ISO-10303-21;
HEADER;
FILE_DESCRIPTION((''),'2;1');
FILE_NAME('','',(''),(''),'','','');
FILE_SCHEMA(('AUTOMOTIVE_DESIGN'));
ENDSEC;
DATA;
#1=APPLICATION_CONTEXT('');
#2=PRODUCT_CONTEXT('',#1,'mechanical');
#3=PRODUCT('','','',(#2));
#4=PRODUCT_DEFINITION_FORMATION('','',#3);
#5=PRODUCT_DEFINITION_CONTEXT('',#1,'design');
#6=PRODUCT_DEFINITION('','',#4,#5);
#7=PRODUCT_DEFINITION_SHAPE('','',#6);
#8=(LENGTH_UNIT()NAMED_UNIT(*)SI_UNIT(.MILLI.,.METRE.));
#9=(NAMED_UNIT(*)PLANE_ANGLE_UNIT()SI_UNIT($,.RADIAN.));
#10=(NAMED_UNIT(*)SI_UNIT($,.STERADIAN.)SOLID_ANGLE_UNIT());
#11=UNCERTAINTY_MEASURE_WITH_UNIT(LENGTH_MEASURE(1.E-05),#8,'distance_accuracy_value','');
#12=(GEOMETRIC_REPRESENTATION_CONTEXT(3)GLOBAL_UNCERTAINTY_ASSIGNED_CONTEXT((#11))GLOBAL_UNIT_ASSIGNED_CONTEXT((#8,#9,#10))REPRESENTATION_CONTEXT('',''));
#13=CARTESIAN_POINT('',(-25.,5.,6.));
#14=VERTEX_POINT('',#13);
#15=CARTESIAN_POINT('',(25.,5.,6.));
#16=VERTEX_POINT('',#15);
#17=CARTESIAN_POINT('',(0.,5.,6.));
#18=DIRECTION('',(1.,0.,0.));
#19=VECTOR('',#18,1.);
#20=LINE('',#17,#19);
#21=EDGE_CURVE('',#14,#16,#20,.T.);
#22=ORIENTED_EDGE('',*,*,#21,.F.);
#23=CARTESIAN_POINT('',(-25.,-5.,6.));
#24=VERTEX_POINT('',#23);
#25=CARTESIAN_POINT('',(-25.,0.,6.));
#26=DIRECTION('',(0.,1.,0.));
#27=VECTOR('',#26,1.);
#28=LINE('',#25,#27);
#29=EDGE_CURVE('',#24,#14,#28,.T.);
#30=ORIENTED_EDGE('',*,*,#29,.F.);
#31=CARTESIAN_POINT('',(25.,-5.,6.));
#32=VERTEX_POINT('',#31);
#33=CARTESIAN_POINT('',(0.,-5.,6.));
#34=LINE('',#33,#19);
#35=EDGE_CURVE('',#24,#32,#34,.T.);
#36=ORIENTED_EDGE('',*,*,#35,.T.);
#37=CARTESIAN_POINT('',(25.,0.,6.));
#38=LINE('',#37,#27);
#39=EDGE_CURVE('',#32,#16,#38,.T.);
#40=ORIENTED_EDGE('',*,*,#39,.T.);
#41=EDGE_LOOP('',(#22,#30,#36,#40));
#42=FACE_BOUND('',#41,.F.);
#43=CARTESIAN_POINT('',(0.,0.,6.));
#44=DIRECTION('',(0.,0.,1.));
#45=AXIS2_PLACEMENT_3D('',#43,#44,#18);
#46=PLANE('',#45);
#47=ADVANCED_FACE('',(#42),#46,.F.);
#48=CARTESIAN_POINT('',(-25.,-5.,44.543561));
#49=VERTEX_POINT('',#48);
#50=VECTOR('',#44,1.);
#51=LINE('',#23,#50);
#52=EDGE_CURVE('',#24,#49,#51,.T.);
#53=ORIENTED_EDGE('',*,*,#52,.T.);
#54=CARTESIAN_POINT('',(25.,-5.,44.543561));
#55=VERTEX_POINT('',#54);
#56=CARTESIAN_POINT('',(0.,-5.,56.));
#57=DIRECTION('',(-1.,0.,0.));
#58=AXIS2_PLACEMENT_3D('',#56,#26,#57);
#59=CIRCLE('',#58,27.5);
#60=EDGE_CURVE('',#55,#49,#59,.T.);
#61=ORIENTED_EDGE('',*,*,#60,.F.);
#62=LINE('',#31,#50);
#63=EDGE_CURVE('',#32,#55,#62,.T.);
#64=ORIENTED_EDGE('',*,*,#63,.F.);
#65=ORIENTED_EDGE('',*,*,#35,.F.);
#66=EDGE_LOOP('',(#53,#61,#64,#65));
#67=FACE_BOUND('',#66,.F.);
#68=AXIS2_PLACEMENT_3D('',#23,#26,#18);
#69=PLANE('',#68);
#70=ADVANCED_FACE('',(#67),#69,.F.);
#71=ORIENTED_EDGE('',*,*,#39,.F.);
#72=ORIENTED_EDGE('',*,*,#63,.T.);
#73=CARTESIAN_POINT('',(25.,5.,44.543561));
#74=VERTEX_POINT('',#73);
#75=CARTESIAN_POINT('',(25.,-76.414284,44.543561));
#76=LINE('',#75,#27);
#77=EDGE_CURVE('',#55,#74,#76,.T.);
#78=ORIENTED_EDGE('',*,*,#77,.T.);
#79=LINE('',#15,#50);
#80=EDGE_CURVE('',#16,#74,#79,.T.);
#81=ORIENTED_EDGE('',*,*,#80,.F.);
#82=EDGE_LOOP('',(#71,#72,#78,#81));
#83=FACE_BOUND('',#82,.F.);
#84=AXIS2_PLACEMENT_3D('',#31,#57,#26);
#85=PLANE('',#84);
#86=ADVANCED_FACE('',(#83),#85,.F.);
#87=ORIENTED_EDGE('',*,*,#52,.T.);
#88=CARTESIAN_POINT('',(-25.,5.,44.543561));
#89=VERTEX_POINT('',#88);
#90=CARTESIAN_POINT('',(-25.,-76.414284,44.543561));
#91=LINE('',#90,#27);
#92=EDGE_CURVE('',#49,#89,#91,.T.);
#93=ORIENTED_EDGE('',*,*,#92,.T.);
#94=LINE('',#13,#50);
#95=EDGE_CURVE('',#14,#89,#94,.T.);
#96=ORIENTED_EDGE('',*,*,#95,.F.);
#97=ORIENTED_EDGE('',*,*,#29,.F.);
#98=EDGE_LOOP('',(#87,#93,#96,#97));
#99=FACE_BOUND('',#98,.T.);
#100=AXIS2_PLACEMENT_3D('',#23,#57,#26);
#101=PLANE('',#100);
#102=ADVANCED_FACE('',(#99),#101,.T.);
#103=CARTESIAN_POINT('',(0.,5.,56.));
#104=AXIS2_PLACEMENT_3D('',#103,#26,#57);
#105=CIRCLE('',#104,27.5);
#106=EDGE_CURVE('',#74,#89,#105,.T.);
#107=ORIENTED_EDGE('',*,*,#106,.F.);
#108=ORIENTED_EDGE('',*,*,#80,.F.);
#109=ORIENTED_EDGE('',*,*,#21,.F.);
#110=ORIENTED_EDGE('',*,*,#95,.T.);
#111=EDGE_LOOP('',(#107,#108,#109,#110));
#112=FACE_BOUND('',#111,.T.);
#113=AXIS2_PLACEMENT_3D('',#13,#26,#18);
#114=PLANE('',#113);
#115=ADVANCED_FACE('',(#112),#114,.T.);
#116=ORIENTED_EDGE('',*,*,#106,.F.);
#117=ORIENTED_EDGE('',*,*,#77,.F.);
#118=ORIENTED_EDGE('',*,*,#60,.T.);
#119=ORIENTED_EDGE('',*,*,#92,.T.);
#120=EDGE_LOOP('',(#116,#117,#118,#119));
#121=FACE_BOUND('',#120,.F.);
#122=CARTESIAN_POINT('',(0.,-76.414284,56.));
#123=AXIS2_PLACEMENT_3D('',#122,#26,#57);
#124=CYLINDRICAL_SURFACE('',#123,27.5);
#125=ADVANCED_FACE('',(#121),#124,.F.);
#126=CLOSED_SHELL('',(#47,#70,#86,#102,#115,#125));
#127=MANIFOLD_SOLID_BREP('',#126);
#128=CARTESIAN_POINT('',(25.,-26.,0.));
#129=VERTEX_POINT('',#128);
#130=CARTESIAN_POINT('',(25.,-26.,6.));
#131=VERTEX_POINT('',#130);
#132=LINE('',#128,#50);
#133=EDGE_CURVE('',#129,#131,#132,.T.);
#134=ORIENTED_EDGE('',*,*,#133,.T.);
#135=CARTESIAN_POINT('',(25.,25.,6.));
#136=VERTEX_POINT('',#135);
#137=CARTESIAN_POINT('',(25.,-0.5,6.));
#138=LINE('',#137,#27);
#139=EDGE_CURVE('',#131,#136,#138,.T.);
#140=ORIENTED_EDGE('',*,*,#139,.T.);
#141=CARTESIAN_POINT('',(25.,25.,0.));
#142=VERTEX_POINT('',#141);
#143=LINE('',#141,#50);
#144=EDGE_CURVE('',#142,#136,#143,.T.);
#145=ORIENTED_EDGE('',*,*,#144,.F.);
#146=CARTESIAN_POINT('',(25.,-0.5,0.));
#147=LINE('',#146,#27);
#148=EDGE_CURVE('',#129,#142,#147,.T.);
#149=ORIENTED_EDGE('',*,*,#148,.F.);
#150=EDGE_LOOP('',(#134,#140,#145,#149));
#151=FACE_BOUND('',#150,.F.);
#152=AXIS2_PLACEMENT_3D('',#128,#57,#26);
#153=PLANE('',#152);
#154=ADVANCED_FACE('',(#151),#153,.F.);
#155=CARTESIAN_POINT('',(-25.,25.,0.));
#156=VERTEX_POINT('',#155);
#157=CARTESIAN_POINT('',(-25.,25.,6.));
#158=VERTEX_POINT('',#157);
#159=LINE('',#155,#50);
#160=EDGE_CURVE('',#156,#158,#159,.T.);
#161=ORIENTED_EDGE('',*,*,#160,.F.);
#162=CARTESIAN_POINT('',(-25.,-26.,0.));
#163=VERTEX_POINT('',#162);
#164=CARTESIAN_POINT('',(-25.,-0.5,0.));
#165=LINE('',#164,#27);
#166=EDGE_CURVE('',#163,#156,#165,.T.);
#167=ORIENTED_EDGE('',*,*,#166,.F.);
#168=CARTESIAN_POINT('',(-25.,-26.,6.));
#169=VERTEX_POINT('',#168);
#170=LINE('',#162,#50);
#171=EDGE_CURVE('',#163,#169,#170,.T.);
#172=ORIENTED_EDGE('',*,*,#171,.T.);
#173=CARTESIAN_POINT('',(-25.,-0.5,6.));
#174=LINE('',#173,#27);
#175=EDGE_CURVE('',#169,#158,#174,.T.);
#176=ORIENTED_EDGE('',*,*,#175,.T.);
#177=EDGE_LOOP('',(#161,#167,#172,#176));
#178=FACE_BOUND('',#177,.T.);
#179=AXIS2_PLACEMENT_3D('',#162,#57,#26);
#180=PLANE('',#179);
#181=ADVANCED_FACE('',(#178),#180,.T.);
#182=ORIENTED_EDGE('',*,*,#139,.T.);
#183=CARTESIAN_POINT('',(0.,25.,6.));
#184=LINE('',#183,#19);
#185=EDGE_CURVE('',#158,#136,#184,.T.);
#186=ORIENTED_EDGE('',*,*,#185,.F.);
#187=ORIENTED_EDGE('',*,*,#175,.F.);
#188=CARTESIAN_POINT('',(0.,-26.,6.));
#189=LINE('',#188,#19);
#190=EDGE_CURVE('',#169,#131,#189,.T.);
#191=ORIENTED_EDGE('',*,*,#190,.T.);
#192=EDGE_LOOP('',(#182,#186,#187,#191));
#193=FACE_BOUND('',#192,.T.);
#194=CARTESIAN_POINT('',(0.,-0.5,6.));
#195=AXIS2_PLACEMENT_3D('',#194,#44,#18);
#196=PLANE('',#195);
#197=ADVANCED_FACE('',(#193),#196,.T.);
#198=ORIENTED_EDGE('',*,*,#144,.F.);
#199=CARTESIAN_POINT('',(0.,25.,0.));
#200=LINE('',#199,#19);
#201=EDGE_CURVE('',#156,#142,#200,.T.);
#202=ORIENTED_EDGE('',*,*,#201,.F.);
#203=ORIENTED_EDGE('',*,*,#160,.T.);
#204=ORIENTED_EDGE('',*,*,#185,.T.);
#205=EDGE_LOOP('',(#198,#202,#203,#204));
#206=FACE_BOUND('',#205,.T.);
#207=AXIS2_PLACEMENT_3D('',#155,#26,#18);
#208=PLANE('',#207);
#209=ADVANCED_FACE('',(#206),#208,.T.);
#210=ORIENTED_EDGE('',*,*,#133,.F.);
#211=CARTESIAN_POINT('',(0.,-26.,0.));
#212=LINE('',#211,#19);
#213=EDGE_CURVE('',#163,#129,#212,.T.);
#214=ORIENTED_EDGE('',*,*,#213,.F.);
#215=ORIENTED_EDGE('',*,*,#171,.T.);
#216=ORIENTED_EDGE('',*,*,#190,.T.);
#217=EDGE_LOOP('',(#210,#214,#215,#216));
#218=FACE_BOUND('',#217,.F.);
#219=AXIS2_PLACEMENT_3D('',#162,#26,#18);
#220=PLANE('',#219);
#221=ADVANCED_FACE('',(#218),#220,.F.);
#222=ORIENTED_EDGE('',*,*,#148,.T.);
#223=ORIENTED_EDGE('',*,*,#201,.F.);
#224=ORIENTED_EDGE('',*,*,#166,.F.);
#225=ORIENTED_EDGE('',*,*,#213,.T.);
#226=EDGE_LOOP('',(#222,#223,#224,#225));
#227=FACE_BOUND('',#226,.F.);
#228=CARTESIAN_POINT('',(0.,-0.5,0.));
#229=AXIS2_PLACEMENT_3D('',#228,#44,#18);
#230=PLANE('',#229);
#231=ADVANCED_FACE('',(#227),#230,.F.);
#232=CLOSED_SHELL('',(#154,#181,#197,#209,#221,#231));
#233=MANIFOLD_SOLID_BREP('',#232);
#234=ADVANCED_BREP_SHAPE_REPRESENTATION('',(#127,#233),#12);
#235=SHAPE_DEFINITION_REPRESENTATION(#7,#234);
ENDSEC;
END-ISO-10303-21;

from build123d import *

# Parameters (mm, degrees)
F0_W     = 50
F0_H     = 51
F1_DEPTH = 6
F2_W     = 50
F2_H     = 10
F3_DEPTH = 50
F5_D     = 55


with BuildPart() as f1:
    # F0 (on Top) → F1 (new body)
    with BuildSketch(Plane.XY):
        with Locations((0, -0.5)):
            Rectangle(F0_W, F0_H)
    extrude(amount=F1_DEPTH)


with BuildPart() as f3:
    # F2 (on face) → F3 (new body)
    with BuildSketch(Plane.XY.offset(6)):
        Rectangle(F2_W, F2_H)
    extrude(amount=F3_DEPTH)

    # F5 (through all)
    with Locations(Plane.XZ.offset(5)):
        with Locations((0, 56)):
            Hole(F5_D / 2)


solid = Compound([f1.part, f3.part])
